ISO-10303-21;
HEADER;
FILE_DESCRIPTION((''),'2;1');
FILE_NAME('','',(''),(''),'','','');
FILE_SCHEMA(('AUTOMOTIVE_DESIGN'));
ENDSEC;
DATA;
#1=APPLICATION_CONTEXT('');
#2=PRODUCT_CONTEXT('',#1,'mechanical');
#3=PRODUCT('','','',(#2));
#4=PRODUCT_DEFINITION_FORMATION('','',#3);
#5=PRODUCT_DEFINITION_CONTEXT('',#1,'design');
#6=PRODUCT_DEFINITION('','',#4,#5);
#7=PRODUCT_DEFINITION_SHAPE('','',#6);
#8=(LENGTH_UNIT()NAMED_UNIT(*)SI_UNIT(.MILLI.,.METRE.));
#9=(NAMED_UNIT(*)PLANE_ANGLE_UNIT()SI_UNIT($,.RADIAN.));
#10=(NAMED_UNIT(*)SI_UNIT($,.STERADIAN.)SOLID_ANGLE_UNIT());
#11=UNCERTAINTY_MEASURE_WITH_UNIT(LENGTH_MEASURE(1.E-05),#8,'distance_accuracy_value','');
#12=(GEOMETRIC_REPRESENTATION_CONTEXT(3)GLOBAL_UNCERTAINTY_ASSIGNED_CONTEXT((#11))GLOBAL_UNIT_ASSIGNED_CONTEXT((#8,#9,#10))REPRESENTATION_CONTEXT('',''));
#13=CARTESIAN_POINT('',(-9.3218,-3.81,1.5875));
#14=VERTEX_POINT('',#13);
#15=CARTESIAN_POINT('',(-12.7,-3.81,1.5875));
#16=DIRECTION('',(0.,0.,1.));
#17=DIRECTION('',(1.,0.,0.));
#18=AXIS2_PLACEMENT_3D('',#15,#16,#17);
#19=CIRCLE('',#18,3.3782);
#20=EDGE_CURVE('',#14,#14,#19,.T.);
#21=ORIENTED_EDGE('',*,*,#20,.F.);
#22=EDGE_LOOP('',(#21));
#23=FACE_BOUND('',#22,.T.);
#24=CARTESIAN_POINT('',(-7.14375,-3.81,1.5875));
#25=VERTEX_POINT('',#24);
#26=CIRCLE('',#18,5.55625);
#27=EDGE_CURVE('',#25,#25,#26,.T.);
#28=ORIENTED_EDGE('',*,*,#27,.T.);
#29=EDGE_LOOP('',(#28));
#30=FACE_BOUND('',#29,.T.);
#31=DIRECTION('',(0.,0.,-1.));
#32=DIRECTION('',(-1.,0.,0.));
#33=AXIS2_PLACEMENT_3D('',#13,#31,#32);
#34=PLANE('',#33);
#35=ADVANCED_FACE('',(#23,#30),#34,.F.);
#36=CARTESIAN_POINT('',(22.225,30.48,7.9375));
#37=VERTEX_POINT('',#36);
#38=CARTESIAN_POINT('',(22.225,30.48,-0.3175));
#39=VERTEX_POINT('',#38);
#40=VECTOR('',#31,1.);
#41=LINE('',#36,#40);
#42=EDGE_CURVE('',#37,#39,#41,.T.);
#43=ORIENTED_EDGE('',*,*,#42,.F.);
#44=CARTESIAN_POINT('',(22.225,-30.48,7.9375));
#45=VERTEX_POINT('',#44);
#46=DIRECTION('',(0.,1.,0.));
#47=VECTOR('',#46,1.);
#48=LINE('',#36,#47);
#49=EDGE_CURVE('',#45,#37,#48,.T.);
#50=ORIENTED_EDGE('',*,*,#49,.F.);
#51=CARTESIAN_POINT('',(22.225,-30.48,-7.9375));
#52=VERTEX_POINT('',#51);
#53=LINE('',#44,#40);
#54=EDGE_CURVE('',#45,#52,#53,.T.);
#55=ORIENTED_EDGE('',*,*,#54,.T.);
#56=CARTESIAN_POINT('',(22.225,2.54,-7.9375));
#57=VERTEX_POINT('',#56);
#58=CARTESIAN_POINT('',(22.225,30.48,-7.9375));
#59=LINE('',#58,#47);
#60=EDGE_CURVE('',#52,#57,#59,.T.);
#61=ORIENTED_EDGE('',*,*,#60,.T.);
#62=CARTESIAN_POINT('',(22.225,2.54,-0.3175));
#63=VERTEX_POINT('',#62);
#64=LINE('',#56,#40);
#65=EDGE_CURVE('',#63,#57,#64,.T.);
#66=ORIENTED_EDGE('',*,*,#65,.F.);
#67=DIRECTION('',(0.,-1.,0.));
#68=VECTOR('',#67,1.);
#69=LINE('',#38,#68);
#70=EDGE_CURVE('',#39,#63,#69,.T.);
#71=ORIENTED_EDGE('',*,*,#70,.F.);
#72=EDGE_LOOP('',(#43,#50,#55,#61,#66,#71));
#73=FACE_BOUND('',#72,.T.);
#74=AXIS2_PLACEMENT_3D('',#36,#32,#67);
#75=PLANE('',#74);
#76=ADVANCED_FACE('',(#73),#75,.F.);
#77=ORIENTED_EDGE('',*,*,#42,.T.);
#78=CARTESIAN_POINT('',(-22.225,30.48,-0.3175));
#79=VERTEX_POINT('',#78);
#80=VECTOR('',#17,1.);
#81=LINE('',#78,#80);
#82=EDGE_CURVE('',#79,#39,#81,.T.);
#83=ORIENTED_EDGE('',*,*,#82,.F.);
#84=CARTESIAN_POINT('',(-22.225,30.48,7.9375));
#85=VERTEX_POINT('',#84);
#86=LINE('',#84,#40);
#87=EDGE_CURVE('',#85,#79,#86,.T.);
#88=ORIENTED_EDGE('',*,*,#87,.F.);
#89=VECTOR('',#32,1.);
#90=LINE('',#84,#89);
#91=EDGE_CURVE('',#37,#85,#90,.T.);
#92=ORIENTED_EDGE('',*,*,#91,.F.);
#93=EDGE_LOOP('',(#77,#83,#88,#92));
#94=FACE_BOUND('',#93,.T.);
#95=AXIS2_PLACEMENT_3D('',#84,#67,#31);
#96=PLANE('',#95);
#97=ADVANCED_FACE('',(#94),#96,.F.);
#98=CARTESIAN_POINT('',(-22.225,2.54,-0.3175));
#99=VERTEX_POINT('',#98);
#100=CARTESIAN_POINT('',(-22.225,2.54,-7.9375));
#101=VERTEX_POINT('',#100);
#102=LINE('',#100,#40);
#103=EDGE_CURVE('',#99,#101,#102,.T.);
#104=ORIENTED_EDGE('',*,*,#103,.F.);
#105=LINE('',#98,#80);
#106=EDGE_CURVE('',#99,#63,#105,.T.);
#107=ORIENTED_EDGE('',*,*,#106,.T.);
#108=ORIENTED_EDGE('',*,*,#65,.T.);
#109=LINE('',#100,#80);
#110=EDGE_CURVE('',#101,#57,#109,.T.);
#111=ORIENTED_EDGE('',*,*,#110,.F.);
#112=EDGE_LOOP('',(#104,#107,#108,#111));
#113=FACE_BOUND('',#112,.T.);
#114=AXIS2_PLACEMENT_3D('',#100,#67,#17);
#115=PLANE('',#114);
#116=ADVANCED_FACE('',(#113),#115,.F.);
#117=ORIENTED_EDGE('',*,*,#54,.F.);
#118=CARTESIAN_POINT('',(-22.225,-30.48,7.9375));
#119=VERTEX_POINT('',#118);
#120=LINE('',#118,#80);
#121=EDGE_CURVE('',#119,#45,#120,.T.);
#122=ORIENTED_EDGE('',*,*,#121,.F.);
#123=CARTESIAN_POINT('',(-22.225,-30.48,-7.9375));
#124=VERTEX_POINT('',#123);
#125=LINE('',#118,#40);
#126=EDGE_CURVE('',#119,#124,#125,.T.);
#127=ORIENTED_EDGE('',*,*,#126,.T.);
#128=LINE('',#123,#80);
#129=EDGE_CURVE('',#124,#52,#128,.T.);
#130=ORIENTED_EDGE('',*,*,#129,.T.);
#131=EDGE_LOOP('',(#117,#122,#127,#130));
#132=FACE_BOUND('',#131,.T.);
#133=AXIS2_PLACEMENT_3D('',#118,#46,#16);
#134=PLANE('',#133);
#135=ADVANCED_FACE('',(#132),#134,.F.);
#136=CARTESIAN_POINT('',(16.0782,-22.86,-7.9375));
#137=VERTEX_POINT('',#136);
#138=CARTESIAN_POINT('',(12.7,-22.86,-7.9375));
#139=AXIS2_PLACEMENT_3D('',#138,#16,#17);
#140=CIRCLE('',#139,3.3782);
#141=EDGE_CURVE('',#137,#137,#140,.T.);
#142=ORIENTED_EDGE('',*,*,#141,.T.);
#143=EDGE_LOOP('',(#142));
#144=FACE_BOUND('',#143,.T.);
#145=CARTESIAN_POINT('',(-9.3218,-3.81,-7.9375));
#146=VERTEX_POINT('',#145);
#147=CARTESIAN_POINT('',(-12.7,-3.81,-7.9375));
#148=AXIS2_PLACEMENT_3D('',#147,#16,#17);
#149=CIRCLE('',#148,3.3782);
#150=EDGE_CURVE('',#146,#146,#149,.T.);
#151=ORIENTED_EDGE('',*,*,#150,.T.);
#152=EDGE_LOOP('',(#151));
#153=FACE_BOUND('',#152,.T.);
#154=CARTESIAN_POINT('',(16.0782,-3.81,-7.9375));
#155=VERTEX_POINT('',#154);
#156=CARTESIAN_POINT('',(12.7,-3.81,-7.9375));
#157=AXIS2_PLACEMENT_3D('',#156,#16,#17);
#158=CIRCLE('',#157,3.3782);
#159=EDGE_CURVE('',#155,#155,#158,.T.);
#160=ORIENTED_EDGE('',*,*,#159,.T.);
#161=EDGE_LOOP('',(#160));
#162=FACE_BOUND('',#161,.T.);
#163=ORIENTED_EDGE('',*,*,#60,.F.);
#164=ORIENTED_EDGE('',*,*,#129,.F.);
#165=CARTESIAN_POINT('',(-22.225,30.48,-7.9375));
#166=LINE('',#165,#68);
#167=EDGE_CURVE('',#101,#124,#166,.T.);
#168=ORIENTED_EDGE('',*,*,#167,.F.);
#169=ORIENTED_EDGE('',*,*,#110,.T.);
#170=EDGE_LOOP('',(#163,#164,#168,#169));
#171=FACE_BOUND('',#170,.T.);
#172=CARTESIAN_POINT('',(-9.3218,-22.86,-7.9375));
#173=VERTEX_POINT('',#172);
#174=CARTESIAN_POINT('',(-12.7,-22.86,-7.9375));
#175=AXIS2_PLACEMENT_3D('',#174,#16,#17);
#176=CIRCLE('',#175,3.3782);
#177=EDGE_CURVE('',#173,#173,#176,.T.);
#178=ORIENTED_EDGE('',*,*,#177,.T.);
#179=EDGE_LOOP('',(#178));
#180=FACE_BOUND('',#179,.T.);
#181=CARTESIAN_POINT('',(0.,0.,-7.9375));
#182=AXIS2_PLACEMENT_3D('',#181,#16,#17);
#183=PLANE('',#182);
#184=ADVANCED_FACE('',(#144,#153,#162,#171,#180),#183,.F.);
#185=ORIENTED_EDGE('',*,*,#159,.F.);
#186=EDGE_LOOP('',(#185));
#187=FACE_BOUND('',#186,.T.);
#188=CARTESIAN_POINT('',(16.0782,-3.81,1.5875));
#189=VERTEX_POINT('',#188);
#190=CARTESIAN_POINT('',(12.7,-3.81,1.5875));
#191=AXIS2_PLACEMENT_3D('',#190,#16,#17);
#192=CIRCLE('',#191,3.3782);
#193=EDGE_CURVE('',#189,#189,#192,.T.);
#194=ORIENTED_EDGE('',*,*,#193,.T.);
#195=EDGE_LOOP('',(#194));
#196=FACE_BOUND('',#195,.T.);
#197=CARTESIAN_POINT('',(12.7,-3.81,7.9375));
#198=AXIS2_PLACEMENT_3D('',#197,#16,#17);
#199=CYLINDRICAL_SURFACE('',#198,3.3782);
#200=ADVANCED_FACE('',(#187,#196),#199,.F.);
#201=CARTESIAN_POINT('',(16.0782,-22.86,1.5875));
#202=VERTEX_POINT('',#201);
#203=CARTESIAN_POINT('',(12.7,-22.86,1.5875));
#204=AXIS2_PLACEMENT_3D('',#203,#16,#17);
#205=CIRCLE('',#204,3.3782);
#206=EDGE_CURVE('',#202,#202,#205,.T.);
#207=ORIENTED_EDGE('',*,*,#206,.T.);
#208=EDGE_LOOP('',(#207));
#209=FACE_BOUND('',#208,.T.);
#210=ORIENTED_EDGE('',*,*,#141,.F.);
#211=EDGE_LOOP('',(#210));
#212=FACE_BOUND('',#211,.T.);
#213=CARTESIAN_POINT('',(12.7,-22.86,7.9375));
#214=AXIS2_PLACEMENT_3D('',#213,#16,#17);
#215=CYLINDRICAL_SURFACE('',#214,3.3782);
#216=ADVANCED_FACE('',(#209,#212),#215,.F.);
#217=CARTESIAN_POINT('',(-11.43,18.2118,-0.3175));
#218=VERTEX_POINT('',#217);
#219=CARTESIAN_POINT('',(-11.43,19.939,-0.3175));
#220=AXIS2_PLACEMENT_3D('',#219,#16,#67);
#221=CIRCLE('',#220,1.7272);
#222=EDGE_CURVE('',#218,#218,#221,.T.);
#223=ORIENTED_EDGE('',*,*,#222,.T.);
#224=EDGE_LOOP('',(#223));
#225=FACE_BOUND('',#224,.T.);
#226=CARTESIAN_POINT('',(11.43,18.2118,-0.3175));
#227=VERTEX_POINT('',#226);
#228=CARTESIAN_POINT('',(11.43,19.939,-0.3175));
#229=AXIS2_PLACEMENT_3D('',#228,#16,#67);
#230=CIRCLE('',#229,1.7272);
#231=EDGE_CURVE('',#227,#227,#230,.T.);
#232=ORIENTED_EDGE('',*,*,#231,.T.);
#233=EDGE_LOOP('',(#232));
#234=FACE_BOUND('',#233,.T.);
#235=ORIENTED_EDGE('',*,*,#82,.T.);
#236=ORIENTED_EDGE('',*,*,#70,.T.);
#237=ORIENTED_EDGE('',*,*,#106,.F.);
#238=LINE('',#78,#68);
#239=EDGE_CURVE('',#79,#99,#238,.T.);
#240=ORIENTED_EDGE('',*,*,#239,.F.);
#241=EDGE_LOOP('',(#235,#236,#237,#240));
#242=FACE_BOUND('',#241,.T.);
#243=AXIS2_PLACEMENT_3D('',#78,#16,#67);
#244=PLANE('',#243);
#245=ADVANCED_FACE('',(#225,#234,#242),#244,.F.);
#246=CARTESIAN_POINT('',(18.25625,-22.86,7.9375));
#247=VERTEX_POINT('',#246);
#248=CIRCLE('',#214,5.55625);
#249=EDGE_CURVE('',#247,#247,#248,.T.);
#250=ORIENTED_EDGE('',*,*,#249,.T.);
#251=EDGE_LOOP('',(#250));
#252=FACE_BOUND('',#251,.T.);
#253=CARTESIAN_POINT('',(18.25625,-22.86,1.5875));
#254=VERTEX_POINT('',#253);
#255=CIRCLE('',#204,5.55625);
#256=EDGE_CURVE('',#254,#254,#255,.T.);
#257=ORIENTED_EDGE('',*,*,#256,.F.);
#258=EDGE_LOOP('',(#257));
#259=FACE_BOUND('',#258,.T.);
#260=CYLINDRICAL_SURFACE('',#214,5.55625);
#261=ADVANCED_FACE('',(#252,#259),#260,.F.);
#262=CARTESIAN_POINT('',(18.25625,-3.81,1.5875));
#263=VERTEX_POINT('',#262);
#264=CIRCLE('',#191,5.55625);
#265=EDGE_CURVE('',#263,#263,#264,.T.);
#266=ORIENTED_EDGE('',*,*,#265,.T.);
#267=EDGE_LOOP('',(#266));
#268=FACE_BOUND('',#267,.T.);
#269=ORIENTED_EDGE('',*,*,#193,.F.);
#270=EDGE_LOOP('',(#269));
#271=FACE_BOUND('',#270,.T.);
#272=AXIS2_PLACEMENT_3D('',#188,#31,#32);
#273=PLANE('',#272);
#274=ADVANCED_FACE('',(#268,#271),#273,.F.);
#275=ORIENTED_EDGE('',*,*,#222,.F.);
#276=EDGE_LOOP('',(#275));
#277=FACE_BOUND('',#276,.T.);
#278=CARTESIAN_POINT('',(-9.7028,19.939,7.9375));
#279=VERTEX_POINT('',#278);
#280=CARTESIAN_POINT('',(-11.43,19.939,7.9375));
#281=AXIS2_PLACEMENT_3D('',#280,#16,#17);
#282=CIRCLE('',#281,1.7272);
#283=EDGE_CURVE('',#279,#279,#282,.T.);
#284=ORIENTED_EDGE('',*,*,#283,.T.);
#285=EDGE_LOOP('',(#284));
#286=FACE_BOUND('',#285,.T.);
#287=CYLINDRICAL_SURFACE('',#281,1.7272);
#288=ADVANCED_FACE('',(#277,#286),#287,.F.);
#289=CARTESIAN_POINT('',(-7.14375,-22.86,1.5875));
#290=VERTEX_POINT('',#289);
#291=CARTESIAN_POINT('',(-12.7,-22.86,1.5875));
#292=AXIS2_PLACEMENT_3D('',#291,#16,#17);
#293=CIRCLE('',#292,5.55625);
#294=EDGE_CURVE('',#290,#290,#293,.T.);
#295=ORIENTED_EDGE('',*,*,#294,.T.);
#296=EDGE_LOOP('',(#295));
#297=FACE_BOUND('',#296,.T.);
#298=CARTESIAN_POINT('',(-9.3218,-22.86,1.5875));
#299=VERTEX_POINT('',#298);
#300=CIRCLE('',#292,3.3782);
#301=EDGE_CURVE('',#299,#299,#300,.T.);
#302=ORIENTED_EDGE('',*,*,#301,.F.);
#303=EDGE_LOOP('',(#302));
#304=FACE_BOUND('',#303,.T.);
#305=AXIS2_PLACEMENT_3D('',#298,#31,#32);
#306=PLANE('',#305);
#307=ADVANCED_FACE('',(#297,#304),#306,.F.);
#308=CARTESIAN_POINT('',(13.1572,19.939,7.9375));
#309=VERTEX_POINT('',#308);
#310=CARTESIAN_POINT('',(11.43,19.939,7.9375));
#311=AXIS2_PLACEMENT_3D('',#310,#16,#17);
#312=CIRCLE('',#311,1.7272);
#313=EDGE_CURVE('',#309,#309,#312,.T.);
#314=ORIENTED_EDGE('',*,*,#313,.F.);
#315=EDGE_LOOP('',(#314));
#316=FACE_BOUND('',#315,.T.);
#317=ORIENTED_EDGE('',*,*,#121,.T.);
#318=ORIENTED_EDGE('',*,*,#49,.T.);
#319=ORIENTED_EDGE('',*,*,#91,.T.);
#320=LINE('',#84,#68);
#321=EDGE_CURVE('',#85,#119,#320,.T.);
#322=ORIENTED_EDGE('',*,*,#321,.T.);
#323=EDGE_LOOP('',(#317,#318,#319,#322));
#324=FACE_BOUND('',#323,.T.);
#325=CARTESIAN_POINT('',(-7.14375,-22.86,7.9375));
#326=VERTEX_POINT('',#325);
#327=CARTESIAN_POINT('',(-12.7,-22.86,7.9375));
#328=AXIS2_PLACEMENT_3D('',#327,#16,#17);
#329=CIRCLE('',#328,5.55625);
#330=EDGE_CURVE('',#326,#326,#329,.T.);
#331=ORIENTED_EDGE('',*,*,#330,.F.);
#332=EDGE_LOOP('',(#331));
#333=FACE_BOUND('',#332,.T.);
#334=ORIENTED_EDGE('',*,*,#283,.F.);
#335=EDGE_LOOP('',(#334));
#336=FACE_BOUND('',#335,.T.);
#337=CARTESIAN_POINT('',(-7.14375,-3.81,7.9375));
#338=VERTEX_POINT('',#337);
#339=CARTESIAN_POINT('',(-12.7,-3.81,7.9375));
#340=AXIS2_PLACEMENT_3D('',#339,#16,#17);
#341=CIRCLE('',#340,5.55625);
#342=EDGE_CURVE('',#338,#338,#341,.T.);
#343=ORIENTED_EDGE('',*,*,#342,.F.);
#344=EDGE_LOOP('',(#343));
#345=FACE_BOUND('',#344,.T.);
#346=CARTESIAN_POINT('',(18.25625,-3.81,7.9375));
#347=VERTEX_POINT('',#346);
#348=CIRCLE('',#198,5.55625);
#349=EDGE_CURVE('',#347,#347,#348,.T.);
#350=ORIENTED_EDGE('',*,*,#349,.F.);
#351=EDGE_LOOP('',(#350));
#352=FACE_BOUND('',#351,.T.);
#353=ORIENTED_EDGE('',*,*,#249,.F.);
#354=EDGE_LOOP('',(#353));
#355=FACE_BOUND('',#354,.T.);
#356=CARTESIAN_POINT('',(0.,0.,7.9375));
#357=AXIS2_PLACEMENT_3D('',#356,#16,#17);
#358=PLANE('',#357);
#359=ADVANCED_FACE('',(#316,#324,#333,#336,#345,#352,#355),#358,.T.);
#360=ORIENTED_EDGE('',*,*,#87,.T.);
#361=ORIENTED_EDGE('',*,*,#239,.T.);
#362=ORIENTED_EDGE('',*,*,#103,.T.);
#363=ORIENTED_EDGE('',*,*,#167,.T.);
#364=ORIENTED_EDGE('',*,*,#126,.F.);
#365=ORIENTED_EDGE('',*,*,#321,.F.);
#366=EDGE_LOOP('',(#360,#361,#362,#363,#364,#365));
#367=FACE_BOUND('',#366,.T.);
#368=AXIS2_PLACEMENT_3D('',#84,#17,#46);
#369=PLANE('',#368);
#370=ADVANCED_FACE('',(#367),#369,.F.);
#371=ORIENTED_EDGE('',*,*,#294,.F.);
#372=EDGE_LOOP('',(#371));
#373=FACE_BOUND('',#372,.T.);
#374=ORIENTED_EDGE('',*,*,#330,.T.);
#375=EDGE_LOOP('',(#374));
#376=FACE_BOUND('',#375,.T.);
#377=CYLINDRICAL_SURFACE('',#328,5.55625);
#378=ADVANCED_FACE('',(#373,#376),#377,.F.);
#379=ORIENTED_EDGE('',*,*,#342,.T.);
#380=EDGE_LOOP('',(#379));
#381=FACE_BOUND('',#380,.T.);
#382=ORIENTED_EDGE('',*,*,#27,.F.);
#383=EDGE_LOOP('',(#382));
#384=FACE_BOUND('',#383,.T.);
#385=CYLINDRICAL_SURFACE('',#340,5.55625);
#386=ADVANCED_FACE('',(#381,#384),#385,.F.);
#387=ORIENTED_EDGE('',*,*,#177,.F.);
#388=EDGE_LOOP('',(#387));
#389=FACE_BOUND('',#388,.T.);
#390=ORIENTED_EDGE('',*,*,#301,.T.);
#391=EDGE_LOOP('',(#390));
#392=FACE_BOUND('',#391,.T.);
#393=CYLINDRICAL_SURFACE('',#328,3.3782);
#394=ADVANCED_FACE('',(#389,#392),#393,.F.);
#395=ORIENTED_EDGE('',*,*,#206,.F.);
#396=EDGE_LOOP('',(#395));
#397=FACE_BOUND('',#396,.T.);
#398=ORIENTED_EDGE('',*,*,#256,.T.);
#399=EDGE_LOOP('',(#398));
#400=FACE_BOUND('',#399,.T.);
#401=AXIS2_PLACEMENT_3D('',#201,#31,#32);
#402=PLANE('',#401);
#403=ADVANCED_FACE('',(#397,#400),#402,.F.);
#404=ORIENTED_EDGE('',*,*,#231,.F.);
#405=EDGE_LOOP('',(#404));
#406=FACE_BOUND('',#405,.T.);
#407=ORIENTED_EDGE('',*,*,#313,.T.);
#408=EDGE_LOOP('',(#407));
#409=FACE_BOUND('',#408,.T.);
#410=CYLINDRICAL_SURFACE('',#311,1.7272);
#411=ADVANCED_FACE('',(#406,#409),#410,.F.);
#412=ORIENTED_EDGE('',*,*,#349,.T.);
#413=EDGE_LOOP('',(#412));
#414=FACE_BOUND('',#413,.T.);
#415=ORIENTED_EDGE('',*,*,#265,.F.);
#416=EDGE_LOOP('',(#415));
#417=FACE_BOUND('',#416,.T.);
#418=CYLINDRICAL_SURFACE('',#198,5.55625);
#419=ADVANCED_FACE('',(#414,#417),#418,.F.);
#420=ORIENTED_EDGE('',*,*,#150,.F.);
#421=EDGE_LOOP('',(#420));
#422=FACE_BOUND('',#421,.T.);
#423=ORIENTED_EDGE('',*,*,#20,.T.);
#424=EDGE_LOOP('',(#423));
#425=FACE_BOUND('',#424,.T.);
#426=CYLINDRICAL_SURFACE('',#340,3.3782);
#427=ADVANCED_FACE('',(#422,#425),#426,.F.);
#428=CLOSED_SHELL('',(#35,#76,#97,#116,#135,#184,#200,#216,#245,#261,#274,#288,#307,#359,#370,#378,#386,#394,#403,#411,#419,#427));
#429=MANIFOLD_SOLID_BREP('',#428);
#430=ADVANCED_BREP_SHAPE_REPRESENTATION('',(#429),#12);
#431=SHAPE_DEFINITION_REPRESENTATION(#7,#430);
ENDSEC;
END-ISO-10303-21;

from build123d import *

# Parameters (mm, degrees)
SKETCH1_W                                        = 44.45
SKETCH1_H                                        = 60.96
BOSS_EXTRUDE1_DEPTH                              = 7.9375
CBORE_FOR_1_4_SOCKET_HEAD_CAP_SCREW1_D           = 6.7564
CBORE_FOR_1_4_SOCKET_HEAD_CAP_SCREW1_CBORE_D     = 11.1125
CBORE_FOR_1_4_SOCKET_HEAD_CAP_SCREW1_CBORE_DEPTH = 6.35
SKETCH4_W                                        = 7.62
SKETCH4_H                                        = 27.94
CUT_EXTRUDE1_DEPTH                               = 45.45
F_8_32_TAPPED_HOLE1_D                            = 3.4544


with BuildPart() as part:
    # Sketch1 → Boss-Extrude1 (new body, symmetric)
    with BuildSketch(Plane.XY):
        Rectangle(SKETCH1_W, SKETCH1_H)
    extrude(amount=BOSS_EXTRUDE1_DEPTH, both=True)

    # CBORE for 1/4 Socket Head Cap Screw1 (through all)
    with Locations(Plane.XY.offset(7.9375)):
        with Locations((-12.7, -3.81), (12.7, -3.81), (12.7, -22.86), (-12.7, -22.86)):
            CounterBoreHole(CBORE_FOR_1_4_SOCKET_HEAD_CAP_SCREW1_D / 2, CBORE_FOR_1_4_SOCKET_HEAD_CAP_SCREW1_CBORE_D / 2, CBORE_FOR_1_4_SOCKET_HEAD_CAP_SCREW1_CBORE_DEPTH)

    # Sketch4 → Cut-Extrude1 (cut, through all)
    with BuildSketch(Plane(origin=(22.225, 0, 0), x_dir=(0, 0, -1), z_dir=(1, 0, 0))):
        with Locations((4.1275, 16.51)):
            Rectangle(SKETCH4_W, SKETCH4_H)
    extrude(amount=-CUT_EXTRUDE1_DEPTH, mode=Mode.SUBTRACT)

    # #8-32 Tapped Hole1 (through all)
    with Locations(Plane.XY.offset(7.9375)):
        with Locations((-11.43, 19.939), (11.43, 19.939)):
            Hole(F_8_32_TAPPED_HOLE1_D / 2)


solid = part.part
